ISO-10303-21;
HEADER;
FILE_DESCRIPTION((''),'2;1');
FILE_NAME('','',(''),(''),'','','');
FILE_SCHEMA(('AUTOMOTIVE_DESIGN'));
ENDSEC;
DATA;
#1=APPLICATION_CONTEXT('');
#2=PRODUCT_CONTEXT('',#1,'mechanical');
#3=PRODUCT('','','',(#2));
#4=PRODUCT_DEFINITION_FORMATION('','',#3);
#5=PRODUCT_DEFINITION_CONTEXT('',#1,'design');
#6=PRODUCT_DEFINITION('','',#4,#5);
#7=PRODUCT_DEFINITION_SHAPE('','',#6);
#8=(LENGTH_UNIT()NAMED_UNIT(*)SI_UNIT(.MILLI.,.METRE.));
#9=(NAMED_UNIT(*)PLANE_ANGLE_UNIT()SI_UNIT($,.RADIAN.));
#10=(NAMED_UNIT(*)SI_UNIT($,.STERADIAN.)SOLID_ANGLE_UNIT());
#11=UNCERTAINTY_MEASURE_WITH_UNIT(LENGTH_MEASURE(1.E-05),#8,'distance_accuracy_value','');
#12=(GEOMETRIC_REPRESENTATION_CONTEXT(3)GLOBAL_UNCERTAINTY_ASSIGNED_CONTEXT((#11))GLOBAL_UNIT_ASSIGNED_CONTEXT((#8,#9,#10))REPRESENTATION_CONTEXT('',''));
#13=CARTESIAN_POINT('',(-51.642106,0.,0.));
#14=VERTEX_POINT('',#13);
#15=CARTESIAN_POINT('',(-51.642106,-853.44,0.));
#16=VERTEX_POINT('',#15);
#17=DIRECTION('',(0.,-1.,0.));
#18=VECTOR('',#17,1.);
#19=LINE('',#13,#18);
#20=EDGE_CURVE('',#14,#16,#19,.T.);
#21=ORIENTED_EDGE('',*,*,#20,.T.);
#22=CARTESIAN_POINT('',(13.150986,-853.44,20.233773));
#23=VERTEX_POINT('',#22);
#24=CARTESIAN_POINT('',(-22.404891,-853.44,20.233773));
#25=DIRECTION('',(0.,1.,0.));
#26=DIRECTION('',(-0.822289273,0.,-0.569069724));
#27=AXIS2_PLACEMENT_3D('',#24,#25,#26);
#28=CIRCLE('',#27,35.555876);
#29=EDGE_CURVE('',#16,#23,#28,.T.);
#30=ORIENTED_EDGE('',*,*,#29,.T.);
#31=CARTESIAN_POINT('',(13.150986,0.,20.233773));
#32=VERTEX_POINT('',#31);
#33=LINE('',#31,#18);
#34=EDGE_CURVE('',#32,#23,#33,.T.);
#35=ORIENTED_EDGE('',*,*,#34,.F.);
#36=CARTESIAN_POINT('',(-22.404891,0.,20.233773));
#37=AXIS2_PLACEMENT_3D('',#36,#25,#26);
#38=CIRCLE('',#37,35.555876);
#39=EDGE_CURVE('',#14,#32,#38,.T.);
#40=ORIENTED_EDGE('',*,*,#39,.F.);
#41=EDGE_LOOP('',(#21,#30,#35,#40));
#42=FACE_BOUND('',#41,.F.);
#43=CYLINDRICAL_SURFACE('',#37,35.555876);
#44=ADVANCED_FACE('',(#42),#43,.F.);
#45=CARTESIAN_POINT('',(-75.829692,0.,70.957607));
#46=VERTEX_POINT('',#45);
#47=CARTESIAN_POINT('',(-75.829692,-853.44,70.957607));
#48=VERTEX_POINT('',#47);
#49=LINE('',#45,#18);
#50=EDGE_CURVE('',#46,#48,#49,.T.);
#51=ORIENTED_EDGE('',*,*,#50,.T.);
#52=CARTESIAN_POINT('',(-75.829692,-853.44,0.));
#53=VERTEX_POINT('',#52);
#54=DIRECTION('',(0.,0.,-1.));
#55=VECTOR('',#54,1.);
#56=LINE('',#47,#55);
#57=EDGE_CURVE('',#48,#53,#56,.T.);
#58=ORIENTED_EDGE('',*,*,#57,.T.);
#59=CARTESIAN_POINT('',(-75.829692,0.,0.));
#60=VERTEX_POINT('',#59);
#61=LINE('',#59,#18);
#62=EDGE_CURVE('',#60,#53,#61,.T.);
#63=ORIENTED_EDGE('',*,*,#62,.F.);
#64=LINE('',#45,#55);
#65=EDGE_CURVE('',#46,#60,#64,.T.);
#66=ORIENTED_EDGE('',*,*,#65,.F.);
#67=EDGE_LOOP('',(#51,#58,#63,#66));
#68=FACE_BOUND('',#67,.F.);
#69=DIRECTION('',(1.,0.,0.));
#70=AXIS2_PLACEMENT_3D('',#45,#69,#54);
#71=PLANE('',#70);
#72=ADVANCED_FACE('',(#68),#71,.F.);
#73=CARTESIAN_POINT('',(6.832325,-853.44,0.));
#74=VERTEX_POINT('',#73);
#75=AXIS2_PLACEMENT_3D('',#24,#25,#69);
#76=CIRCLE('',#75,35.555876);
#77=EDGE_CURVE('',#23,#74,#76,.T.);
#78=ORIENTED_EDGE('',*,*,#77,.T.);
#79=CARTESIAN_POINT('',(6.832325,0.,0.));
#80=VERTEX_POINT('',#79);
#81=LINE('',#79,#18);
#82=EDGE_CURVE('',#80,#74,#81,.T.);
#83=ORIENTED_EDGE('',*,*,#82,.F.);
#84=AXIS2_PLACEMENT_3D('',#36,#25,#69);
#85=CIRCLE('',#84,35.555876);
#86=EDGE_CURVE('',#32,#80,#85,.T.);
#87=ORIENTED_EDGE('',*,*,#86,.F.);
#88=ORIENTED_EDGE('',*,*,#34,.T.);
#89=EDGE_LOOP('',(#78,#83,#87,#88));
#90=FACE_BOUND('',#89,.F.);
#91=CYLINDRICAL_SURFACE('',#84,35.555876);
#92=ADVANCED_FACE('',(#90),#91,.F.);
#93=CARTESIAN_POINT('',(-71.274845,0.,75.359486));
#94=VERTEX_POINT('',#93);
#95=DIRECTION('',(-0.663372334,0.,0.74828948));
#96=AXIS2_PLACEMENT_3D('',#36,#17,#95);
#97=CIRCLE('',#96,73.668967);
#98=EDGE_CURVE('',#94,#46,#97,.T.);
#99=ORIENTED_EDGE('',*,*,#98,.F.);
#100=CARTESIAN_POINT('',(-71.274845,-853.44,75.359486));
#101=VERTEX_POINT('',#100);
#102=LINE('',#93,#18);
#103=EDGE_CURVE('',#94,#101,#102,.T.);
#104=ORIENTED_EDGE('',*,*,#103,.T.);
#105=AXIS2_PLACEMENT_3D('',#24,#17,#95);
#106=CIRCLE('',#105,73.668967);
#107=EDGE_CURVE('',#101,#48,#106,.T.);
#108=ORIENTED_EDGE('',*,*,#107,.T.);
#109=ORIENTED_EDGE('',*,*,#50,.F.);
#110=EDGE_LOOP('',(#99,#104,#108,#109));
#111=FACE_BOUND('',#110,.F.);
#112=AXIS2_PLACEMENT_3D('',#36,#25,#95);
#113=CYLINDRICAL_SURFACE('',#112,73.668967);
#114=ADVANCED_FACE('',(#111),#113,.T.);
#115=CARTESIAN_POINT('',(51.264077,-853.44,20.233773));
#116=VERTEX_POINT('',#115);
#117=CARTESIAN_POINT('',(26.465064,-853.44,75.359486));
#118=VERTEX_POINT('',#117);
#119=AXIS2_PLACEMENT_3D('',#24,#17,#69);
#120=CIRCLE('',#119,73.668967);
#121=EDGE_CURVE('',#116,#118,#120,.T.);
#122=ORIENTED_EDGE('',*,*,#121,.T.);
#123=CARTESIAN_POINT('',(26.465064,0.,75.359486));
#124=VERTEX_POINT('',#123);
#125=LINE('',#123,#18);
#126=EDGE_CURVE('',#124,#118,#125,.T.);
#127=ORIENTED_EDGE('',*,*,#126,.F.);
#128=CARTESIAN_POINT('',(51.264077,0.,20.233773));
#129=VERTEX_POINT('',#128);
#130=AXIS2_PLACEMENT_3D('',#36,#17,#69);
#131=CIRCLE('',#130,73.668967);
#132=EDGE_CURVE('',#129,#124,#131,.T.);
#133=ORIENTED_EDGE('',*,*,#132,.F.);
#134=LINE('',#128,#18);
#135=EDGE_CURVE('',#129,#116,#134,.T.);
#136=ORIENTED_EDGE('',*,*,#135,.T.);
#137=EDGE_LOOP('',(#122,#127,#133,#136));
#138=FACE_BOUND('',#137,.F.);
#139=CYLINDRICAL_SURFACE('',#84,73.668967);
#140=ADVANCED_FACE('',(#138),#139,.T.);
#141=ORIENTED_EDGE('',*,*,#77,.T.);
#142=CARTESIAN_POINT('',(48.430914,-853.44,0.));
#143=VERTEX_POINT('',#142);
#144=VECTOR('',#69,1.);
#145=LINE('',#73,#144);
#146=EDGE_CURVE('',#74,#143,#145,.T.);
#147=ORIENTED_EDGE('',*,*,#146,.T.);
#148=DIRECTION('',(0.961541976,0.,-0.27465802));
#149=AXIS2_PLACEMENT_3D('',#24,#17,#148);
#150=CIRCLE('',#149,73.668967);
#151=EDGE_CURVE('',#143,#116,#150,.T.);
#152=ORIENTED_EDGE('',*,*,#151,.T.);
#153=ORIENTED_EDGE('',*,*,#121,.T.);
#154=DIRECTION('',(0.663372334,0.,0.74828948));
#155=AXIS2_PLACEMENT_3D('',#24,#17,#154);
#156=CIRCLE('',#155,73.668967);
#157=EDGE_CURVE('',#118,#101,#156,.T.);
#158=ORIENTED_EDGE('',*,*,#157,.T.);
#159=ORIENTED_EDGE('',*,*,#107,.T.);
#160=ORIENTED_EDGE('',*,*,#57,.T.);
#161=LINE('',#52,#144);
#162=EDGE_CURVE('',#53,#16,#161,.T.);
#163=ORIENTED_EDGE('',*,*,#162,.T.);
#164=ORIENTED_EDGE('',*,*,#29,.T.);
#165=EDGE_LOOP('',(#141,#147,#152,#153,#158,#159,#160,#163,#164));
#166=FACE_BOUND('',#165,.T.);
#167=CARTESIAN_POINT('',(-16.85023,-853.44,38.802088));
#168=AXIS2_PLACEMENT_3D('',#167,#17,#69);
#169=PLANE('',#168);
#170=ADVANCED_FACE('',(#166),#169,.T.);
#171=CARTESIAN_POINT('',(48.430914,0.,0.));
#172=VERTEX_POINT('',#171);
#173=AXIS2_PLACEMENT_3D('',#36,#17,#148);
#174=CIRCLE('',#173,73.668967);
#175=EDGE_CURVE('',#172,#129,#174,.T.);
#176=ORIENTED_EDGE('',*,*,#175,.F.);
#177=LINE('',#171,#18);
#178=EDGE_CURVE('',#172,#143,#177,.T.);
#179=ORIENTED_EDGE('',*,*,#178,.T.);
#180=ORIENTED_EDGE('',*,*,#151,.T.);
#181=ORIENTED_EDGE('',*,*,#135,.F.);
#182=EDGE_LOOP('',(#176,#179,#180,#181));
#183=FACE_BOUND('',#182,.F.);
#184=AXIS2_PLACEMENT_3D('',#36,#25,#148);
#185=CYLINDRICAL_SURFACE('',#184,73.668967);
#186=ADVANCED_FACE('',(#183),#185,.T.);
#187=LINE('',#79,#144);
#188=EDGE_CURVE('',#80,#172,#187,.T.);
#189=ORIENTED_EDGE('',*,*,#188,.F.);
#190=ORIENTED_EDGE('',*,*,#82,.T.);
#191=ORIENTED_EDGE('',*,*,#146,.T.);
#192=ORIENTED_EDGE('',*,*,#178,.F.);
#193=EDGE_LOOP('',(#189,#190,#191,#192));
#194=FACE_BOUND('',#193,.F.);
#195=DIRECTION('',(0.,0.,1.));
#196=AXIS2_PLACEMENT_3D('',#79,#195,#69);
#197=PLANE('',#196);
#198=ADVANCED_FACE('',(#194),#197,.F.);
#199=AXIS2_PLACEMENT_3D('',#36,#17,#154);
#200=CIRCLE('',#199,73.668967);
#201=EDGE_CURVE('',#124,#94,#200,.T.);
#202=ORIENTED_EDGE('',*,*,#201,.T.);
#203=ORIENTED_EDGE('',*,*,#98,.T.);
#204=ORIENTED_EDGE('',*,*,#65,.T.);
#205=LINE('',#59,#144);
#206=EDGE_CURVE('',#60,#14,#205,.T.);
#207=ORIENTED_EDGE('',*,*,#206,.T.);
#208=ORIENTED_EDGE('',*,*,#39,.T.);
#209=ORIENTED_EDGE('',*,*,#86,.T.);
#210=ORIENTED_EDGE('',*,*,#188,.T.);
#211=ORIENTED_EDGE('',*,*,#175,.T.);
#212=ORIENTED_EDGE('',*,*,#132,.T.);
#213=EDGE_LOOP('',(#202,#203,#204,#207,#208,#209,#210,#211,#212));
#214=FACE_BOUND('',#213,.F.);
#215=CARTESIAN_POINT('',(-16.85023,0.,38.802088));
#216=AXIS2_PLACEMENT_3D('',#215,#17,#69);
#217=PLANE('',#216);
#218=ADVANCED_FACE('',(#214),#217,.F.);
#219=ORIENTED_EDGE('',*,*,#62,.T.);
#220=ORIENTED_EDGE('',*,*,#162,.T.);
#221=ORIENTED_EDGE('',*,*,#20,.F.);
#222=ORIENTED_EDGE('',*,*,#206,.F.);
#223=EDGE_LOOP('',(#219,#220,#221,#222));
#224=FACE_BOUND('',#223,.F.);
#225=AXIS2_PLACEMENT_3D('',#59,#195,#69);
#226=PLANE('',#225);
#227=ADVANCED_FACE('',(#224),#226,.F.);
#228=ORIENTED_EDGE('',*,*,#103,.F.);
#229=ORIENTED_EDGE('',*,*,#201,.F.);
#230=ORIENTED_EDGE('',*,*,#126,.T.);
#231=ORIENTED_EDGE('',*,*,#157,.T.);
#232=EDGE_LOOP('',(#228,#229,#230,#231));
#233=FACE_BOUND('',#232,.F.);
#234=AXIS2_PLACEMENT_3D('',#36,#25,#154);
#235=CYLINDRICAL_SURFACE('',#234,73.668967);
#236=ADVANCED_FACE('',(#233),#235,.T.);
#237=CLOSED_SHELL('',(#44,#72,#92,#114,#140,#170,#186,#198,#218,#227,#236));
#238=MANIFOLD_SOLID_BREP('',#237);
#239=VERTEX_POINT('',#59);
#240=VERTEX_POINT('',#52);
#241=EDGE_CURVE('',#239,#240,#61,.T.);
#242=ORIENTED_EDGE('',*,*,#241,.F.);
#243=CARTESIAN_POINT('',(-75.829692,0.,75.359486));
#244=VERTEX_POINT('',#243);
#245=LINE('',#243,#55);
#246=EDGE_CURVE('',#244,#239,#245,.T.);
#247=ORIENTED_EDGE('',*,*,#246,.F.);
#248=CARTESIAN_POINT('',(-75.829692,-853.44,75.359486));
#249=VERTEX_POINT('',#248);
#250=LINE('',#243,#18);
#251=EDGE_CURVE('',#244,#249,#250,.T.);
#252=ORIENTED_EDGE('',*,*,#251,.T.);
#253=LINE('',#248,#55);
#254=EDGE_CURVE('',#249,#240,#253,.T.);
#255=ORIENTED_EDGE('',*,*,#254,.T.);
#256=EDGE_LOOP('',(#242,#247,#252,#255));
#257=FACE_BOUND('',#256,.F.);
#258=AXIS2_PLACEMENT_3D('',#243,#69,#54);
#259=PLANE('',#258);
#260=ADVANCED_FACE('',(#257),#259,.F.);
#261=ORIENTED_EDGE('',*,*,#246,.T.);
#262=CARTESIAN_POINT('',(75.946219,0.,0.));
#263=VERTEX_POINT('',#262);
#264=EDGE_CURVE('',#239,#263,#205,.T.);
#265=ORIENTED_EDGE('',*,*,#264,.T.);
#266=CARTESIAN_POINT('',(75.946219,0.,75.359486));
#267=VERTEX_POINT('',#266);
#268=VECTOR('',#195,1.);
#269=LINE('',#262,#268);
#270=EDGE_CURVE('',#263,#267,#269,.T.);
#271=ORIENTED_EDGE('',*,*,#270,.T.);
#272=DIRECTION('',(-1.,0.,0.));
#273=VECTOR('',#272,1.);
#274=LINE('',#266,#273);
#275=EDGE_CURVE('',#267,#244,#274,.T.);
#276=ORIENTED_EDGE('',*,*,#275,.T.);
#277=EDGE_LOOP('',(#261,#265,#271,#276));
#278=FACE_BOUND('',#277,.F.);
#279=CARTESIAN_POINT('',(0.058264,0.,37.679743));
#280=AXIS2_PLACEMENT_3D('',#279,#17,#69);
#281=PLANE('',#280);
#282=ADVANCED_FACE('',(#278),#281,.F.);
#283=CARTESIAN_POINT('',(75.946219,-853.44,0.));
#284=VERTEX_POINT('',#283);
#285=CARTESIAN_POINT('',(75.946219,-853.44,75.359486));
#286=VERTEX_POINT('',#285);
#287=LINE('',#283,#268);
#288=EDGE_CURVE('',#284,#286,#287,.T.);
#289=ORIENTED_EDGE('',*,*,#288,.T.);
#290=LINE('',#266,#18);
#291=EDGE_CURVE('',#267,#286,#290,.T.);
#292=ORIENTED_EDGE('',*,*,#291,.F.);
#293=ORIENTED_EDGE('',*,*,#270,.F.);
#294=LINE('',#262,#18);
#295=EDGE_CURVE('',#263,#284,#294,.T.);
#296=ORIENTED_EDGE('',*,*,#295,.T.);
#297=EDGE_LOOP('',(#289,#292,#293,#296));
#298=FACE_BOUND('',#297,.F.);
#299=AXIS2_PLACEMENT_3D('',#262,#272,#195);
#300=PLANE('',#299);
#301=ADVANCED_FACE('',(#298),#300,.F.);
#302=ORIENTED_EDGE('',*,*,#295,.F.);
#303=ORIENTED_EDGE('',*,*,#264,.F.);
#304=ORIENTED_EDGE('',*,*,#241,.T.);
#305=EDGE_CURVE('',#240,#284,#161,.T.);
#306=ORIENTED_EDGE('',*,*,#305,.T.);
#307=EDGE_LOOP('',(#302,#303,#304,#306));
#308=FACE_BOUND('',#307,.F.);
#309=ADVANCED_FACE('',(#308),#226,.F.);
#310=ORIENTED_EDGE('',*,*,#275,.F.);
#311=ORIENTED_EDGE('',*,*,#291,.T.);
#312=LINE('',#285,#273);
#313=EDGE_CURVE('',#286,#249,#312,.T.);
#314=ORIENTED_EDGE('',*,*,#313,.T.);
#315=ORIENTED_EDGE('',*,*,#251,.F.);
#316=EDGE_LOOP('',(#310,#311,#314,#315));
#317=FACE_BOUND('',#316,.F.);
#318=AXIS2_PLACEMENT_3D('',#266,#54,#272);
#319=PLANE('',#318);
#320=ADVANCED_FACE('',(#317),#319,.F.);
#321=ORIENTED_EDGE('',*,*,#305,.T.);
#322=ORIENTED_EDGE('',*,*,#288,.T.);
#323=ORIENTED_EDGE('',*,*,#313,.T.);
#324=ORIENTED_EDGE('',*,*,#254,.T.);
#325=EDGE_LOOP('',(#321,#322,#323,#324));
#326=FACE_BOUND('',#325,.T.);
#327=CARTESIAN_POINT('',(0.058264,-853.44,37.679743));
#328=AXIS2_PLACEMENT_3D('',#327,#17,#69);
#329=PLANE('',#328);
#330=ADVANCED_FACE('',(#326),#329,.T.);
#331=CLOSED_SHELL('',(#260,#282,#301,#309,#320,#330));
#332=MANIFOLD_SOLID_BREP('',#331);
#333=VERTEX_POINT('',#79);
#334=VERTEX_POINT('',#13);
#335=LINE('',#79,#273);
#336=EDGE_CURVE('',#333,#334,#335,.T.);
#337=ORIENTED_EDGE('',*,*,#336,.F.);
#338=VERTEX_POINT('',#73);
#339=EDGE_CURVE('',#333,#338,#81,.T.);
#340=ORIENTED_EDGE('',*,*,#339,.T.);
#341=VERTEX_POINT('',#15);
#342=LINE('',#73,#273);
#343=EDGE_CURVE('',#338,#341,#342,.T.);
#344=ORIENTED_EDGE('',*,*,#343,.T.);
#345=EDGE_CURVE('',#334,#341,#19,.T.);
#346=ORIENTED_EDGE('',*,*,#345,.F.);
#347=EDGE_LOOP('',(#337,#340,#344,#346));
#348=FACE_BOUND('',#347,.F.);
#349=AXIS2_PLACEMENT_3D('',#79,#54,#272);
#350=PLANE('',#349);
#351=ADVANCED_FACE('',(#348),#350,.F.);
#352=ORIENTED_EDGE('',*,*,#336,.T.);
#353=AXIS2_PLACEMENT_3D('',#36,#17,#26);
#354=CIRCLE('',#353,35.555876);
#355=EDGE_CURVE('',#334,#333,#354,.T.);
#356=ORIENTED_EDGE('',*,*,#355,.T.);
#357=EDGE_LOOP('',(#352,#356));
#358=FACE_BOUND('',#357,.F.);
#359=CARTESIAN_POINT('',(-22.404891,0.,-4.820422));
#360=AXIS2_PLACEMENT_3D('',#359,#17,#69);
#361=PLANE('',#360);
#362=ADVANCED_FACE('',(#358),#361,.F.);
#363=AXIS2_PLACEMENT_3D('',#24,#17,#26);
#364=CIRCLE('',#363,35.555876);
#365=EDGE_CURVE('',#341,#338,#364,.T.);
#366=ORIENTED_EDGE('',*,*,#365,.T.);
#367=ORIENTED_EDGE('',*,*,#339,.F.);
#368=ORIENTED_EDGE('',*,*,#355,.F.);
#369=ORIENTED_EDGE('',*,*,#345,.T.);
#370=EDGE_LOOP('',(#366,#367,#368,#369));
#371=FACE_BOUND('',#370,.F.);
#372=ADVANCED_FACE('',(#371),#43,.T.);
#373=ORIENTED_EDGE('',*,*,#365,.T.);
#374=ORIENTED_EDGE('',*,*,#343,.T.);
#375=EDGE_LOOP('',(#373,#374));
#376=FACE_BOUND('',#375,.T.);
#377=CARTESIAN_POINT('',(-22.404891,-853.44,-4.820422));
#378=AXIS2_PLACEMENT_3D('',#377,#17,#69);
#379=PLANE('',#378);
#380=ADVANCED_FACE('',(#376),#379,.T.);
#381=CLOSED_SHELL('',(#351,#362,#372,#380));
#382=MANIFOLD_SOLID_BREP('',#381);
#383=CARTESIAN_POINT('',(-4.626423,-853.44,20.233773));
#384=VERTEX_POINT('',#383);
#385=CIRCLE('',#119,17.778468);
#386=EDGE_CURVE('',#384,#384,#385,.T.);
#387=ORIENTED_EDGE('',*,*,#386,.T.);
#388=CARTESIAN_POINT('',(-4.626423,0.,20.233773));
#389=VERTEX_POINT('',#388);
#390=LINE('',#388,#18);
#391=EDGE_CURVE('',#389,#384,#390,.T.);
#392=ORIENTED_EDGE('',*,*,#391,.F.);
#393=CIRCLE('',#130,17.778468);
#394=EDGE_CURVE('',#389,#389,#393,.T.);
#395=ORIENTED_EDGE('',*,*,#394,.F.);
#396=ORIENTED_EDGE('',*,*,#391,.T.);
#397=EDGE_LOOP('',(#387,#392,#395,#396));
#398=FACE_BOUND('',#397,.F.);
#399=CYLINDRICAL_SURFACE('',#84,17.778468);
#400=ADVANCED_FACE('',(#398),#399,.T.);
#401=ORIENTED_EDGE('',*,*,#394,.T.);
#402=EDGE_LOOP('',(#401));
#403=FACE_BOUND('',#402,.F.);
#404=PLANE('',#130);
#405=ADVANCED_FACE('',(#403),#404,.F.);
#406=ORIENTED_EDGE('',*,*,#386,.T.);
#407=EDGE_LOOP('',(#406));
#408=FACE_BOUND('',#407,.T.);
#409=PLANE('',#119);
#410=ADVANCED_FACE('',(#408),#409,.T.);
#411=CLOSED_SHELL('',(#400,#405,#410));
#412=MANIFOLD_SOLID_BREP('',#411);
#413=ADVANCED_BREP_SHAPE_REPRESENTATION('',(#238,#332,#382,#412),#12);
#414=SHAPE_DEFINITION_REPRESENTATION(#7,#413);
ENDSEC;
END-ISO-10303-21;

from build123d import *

# Parameters (mm, degrees)
F2_DEPTH = 853.44
F1_R     = 17.7784679127
F1_R_2   = 5.4008341776


with BuildPart() as f2:
    # F1 (on face) → F2 (new body)
    with BuildSketch(Plane.XZ):
        with BuildLine():
            ThreePointArc((48.4309140372, 0), (50.5523481369, 10.0181918325), (51.2640769277, 20.2337726951))
            ThreePointArc((51.2640769277, 20.2337726951), (44.7788719586, 50.4572540277), (26.465064381, 75.3594860435))
            Line((26.465064381, 75.3594860435), (-71.2748453959, 75.3594860435))
            ThreePointArc((-71.2748453959, 75.3594860435), (-73.5996015704, 73.2075239512), (-75.8296921849, 70.9576066263))
            Line((-75.8296921849, 70.9576066263), (-75.8296921849, 0))
            Line((-75.8296921849, 0), (-51.6421061342, 0))
            ThreePointArc((-51.6421061342, 0), (-33.0036053989, 54.1732420152), (13.150985731, 20.2337726951))
            ThreePointArc((13.150985731, 20.2337726951), (11.5345788127, 9.6350578036), (6.8323251193, 0))
            Line((6.8323251193, 0), (48.4309140372, 0))
        make_face()
        with BuildLine():
            Line((-71.2748453959, 75.3594860435), (26.465064381, 75.3594860435))
            ThreePointArc((26.465064381, 75.3594860435), (-22.4048905075, 93.9027401302), (-71.2748453959, 75.3594860435))
        make_face()
    extrude(amount=F2_DEPTH)


with BuildPart() as f2b:
    # F1 (on face) → F2, piece 2 (new body)
    with BuildSketch(Plane.XZ):
        with Locations((-22.4048905075, 20.2337726951)):
            Circle(F1_R)
        with Locations((-22.4048905075, 20.2337726951)):
            Circle(F1_R_2, mode=Mode.SUBTRACT)
        with Locations((-22.4048905075, 20.2337726951)):
            Circle(F1_R_2)
    extrude(amount=F2_DEPTH)


with BuildPart() as f2c:
    # F1 (on face) → F2, piece 3 (new body)
    with BuildSketch(Plane.XZ):
        with BuildLine():
            ThreePointArc((-51.6421061342, 0), (-22.4048905075, -15.3221035433), (6.8323251193, 0))
            Line((6.8323251193, 0), (0, 0))
            Line((0, 0), (-51.6421061342, 0))
        make_face()
    extrude(amount=F2_DEPTH)


with BuildPart() as f2d:
    # F0 (on Front) → F2, piece 4 (new body)
    with BuildSketch(Plane.XZ):
        Polygon((-75.8296921849, 0), (0, 0), (75.9462192655, 0), (75.9462192655, 75.3594860435), (-75.8296921849, 75.3594860435), align=None)
    extrude(amount=F2_DEPTH)


solid = Compound([f2.part, f2b.part, f2c.part, f2d.part])
